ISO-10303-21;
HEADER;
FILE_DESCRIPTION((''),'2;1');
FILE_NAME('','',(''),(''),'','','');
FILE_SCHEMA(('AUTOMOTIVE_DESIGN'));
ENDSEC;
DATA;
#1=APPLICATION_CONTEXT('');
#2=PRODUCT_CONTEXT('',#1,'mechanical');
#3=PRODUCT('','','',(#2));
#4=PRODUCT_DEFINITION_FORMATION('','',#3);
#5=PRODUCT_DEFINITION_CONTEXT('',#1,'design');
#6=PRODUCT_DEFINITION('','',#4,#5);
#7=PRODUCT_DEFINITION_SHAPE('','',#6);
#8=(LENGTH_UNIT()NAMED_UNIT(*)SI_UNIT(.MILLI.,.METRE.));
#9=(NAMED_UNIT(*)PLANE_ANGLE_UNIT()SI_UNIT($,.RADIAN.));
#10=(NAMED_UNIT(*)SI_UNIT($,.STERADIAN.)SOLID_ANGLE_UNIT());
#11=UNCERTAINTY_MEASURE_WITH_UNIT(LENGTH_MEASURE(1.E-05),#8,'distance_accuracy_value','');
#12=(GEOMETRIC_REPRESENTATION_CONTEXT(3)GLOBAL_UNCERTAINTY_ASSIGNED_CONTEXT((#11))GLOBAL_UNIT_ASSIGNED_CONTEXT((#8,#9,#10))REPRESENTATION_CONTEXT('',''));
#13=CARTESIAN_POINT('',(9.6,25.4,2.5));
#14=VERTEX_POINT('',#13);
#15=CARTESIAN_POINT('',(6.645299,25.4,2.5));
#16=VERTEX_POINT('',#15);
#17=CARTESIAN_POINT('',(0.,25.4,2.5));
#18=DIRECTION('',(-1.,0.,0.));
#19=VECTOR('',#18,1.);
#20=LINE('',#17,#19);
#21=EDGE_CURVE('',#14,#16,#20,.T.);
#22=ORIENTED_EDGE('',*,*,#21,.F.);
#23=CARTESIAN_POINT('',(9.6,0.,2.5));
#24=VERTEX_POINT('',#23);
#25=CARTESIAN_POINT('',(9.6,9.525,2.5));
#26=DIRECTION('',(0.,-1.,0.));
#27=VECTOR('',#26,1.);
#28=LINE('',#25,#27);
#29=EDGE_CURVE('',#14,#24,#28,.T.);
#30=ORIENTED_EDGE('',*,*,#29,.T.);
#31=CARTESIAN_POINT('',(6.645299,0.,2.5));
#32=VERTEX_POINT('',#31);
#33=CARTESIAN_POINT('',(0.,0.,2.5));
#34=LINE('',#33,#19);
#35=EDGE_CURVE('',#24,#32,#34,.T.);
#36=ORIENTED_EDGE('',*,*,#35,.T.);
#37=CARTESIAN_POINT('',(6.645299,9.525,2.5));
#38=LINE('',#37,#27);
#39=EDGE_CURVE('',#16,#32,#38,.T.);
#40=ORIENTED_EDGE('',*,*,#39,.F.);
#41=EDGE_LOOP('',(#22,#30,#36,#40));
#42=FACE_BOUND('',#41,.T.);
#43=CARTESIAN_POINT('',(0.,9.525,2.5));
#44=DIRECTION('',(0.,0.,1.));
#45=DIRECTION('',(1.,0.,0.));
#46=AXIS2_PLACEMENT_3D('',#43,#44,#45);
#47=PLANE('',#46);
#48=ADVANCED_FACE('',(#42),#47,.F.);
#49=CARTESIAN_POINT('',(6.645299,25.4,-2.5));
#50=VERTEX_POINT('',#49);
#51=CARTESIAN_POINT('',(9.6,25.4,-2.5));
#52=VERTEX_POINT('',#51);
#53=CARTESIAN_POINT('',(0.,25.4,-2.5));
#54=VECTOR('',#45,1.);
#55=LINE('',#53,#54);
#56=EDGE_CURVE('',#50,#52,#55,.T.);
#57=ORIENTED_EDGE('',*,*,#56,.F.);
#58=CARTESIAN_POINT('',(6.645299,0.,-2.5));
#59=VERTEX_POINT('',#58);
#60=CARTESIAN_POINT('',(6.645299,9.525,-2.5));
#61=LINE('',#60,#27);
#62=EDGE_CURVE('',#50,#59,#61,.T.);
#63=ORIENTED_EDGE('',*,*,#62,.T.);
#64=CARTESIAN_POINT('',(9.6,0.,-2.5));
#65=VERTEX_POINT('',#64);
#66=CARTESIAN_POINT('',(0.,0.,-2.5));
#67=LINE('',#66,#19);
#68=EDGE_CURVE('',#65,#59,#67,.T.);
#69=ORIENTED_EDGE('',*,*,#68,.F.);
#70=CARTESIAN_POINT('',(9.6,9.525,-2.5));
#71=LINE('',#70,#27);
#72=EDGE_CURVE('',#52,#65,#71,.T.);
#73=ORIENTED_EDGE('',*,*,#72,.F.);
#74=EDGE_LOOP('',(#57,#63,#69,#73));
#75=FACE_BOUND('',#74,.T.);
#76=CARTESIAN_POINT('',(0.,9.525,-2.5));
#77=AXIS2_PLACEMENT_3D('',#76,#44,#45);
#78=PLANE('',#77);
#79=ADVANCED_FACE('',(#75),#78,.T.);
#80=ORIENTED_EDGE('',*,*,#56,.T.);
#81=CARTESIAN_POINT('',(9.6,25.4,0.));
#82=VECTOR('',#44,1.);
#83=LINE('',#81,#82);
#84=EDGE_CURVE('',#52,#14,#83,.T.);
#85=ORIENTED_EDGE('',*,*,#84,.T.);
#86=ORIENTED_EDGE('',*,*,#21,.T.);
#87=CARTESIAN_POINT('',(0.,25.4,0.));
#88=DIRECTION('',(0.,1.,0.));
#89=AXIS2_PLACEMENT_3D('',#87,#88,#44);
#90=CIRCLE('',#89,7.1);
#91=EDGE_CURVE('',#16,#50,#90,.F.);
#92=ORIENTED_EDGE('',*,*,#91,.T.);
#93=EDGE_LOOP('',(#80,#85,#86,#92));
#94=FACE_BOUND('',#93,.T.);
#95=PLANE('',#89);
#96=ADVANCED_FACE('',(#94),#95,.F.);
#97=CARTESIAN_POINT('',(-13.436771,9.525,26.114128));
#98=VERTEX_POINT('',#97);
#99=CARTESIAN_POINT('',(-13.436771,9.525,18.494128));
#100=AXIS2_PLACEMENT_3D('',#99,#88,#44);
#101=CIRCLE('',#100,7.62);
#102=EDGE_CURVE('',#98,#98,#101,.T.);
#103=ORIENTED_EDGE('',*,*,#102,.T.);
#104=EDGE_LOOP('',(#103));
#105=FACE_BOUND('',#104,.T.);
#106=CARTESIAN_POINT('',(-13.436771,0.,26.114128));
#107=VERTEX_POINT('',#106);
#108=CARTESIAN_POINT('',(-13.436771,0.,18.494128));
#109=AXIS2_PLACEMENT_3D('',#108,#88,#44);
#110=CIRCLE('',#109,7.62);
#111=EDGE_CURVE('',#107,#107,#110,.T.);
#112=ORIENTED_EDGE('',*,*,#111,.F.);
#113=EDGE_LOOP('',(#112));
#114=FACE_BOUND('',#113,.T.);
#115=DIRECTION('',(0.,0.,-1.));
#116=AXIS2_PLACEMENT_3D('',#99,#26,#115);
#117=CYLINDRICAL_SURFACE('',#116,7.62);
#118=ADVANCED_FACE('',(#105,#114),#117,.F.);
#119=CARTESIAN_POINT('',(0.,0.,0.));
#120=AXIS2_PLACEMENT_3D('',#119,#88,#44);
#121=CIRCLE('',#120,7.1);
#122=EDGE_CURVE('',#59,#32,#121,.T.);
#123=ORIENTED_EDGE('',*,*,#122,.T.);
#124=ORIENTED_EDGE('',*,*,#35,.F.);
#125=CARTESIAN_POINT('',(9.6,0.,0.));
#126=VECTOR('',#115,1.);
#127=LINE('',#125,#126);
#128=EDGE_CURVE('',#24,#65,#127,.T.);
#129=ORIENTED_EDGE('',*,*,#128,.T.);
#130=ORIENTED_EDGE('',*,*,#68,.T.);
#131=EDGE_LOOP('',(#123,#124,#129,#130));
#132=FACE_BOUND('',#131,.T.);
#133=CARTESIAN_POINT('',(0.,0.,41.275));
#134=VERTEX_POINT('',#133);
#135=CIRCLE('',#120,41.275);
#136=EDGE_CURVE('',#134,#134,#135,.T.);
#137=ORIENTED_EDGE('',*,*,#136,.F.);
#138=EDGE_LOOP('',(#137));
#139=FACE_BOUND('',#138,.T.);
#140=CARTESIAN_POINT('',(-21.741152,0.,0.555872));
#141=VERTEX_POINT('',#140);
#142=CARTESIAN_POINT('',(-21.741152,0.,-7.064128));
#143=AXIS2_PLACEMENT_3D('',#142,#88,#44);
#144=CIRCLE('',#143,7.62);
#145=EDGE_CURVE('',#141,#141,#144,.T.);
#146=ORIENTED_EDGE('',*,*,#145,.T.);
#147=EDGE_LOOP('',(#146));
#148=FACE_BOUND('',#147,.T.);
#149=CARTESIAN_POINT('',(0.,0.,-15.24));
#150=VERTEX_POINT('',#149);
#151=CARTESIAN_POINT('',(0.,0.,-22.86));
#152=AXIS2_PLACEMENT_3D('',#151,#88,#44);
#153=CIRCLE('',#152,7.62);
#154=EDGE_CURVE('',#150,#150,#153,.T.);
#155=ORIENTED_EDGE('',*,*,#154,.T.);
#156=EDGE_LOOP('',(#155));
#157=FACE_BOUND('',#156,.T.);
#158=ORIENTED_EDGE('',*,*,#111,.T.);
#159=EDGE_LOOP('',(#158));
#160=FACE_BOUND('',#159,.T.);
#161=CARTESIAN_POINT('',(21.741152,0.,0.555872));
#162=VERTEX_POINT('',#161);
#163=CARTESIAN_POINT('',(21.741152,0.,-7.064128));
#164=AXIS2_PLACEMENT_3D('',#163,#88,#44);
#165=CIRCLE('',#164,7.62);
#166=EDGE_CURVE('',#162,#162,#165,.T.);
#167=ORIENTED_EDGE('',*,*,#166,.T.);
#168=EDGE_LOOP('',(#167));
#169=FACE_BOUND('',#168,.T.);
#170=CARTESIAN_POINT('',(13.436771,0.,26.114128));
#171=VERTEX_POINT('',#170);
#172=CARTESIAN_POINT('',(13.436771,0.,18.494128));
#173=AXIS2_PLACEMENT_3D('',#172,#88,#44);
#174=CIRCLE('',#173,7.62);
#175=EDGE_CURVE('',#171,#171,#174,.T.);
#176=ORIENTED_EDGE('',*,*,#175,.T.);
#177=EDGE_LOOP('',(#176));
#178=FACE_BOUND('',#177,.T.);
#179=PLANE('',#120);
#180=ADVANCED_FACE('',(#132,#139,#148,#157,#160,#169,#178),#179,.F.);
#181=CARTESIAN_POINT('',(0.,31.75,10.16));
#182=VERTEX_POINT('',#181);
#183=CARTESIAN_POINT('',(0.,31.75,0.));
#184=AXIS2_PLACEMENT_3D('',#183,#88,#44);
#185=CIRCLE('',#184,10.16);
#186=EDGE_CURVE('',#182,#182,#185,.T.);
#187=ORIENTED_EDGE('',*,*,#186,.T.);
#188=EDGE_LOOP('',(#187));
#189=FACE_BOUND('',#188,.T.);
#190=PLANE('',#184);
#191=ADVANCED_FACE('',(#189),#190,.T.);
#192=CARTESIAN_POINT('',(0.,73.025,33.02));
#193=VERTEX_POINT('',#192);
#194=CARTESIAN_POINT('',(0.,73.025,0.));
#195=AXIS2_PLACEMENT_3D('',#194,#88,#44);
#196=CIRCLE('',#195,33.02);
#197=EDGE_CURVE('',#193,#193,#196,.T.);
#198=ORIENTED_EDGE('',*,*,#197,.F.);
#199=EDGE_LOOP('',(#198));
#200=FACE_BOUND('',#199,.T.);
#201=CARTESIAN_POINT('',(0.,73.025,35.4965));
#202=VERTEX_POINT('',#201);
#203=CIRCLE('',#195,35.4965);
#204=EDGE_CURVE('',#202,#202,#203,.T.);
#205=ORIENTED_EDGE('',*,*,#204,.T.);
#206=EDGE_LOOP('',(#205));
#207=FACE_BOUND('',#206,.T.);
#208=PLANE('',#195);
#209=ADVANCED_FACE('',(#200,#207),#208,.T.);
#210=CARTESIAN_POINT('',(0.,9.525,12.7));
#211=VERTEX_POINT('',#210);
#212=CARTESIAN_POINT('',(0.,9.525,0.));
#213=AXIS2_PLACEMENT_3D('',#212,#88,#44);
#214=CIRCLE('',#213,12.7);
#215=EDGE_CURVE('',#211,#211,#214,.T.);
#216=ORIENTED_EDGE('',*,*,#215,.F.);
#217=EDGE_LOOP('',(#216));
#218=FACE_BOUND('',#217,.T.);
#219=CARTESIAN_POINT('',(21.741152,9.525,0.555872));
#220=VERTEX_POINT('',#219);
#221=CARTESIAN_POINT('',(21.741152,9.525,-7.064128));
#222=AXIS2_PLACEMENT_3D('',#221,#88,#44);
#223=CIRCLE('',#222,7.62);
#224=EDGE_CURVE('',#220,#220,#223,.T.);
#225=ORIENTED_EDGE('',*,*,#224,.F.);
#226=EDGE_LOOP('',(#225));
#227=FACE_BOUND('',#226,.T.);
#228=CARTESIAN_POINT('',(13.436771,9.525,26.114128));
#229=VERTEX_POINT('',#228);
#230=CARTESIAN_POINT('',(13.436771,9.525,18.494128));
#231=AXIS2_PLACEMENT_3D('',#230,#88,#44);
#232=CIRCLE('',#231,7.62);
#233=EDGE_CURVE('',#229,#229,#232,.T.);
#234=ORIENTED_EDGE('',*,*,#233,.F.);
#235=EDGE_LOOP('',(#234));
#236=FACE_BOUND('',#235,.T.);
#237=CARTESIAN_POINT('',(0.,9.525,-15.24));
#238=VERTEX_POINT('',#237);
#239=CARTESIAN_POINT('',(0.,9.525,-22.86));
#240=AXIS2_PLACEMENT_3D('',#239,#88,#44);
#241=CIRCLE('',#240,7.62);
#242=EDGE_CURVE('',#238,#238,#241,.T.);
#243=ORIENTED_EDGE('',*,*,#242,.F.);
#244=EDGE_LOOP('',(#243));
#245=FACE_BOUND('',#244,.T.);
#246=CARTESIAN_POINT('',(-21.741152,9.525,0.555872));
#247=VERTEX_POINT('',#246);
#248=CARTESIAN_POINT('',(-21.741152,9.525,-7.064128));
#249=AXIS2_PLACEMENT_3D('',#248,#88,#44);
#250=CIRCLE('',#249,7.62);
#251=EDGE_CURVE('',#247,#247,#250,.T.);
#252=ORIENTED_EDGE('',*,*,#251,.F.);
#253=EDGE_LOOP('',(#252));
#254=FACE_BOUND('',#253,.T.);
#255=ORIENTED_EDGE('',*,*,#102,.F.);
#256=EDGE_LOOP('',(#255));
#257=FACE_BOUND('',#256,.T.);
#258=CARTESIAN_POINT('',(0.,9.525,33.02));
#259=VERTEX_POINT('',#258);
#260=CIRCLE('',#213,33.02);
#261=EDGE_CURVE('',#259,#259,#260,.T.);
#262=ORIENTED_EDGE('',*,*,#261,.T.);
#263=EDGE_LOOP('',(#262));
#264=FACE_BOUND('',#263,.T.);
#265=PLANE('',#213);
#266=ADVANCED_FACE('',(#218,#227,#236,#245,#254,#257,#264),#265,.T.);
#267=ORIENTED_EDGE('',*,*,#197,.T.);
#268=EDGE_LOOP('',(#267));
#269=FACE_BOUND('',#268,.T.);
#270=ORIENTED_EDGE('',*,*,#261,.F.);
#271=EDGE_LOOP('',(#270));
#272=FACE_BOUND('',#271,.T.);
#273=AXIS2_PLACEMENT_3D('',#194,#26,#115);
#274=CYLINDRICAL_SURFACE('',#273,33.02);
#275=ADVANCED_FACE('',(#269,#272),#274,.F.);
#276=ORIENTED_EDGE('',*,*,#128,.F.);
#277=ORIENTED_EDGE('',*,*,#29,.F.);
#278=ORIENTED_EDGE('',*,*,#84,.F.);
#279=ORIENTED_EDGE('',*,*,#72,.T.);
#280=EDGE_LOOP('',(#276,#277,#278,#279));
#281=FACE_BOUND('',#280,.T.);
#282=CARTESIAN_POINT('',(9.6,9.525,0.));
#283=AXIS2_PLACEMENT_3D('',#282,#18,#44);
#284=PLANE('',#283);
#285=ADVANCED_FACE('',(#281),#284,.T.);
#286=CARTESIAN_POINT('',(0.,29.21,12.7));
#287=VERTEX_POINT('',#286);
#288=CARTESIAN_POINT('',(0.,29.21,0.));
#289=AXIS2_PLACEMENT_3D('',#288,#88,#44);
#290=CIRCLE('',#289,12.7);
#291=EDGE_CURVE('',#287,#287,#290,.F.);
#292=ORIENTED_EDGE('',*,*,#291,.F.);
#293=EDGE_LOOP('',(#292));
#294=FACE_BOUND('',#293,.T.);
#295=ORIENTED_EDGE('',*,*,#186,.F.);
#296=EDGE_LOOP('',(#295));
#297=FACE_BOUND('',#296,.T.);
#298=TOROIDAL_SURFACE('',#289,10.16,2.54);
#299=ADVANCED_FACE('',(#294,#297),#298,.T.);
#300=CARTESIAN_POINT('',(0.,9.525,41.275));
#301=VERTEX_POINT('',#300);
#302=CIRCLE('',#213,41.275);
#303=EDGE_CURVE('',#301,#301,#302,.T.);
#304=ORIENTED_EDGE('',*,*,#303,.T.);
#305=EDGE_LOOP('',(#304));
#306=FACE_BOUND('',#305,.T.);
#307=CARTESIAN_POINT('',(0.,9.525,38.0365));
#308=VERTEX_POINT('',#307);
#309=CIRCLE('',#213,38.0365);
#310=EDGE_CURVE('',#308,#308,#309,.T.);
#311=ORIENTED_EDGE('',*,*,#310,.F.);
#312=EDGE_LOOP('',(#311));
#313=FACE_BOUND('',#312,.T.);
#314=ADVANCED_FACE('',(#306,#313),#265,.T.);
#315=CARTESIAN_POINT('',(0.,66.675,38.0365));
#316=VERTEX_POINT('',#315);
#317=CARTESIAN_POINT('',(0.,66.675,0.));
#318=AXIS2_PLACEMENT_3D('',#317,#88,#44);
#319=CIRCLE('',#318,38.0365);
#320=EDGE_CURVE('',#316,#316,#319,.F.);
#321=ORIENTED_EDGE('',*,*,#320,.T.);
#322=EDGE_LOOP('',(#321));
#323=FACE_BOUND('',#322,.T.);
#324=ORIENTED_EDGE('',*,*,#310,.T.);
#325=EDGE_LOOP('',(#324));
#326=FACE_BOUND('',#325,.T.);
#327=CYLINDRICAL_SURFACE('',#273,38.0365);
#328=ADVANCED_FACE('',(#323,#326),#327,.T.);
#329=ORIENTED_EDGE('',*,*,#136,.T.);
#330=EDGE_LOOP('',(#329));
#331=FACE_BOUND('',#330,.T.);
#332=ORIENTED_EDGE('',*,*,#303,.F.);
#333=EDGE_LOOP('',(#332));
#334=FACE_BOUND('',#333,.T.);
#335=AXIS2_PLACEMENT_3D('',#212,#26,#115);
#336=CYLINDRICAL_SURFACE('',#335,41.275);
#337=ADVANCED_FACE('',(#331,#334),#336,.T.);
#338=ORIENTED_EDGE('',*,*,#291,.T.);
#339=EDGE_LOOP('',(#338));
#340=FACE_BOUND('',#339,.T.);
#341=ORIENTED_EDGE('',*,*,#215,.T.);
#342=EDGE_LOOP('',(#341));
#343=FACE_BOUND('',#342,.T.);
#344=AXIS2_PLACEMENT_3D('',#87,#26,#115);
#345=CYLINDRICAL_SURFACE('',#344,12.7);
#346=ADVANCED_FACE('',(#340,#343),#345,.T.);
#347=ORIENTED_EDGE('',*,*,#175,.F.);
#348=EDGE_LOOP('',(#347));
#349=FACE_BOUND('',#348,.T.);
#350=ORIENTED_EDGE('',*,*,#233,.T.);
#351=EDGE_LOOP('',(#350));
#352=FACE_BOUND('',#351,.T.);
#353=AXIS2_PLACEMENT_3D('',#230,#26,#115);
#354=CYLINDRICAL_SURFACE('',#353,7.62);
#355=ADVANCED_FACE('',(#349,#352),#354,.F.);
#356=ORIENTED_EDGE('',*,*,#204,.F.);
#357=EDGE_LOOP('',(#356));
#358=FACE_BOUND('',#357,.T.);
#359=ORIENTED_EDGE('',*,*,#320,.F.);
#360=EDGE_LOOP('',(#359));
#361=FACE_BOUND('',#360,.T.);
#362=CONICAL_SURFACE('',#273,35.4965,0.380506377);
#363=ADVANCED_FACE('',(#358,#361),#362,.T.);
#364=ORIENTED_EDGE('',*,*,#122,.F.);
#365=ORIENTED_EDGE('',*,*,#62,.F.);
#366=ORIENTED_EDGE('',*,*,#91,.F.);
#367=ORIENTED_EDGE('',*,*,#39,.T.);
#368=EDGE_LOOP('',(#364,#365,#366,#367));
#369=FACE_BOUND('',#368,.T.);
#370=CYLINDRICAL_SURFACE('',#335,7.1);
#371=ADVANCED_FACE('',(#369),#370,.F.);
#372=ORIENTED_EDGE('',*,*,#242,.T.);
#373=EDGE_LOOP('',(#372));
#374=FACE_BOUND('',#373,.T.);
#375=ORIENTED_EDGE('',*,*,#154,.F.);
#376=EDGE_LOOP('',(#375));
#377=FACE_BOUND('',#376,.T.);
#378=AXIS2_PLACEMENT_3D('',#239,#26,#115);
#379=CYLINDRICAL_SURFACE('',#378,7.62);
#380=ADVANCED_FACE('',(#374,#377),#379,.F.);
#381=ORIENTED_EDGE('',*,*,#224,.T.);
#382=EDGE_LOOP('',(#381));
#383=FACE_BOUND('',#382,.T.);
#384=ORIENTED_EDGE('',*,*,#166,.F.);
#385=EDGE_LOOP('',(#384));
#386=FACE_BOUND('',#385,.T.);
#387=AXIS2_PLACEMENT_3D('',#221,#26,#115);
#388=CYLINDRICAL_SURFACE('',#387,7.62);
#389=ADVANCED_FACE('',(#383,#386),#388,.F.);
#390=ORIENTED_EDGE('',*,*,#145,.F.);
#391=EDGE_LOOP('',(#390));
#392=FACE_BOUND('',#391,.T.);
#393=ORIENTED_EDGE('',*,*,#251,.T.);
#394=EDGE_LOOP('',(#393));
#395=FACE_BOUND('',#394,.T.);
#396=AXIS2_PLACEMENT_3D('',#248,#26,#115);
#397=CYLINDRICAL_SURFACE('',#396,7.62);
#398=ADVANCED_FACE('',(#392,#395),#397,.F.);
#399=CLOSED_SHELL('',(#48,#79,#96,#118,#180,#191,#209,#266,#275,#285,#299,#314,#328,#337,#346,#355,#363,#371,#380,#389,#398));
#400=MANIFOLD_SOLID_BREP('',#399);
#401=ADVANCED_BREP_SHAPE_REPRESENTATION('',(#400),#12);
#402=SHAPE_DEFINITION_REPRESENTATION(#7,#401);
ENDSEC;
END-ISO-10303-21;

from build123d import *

# Parameters (mm, degrees)
SKETCH1_R           = 41.275
SKETCH1_R_2         = 7.62
BOSS_EXTRUDE1_DEPTH = 9.525
SKETCH2_R           = 38.0365
SKETCH2_R_2         = 33.02
BOSS_EXTRUDE2_DEPTH = 63.5
SKETCH3_R           = 12.7
BOSS_EXTRUDE3_DEPTH = 15.875
CHAMFER1_SIZE       = 6.35
CHAMFER1_SIZE2      = 2.54
SKETCH4_R           = 12.7
BOSS_EXTRUDE4_DEPTH = 6.35
FILLET1_R           = 2.54


with BuildPart() as part:
    # Sketch1 → Boss-Extrude1 (new body)
    with BuildSketch(Plane(origin=(0, 0, 0), x_dir=(1, 0, 0), z_dir=(0, 1, 0))):
        Circle(SKETCH1_R)
        with Locations((-13.436770867, -18.494128491)):
            Circle(SKETCH1_R_2, mode=Mode.SUBTRACT)
        with Locations((13.436770867, -18.494128491)):
            Circle(SKETCH1_R_2, mode=Mode.SUBTRACT)
        with BuildLine():
            Line((9.6, -2.5), (6.64529909, -2.5))
            ThreePointArc((6.64529909, -2.5), (-7.1, 0), (6.64529909, 2.5))
            Line((6.64529909, 2.5), (9.6, 2.5))
            Line((9.6, 2.5), (9.6, -2.5))
        make_face(mode=Mode.SUBTRACT)
        with Locations((-21.741151963, 7.064128491)):
            Circle(SKETCH1_R_2, mode=Mode.SUBTRACT)
        with BuildLine():
            ThreePointArc((0, 15.24), (-7.62, 22.86), (0, 30.48))
            ThreePointArc((0, 30.48), (7.62, 22.86), (0, 15.24))
        make_face(mode=Mode.SUBTRACT)
        with Locations((21.741151963, 7.064128491)):
            Circle(SKETCH1_R_2, mode=Mode.SUBTRACT)
    extrude(amount=BOSS_EXTRUDE1_DEPTH)

    # Sketch2 → Boss-Extrude2 (add)
    with BuildSketch(Plane(origin=(0, 9.525, 0), x_dir=(1, 0, 0), z_dir=(0, 1, 0))):
        Circle(SKETCH2_R)
        Circle(SKETCH2_R_2, mode=Mode.SUBTRACT)
    extrude(amount=BOSS_EXTRUDE2_DEPTH)

    # Sketch3 → Boss-Extrude3 (add)
    with BuildSketch(Plane(origin=(0, 9.525, 0), x_dir=(1, 0, 0), z_dir=(0, 1, 0))):
        Circle(SKETCH3_R)
        with BuildLine():
            Line((9.6, -2.5), (6.64529909, -2.5))
            ThreePointArc((6.64529909, -2.5), (-7.1, 0), (6.64529909, 2.5))
            Line((6.64529909, 2.5), (9.6, 2.5))
            Line((9.6, 2.5), (9.6, -2.5))
        make_face(mode=Mode.SUBTRACT)
    extrude(amount=BOSS_EXTRUDE3_DEPTH)

    # Chamfer1
    chamfer1_edges = [part.edges().sort_by_distance(p)[0] for p in [
        (-38.0365, 73.025, 0),
    ]]
    chamfer1_side = [part.faces().sort_by_distance(p)[0] for p in [
        (-38.0365, 41.275, 0),
    ]]
    chamfer(chamfer1_edges, length=CHAMFER1_SIZE, length2=CHAMFER1_SIZE2, reference=chamfer1_side[0])

    # Sketch4 → Boss-Extrude4 (add)
    with BuildSketch(Plane(origin=(0, 25.4, 0), x_dir=(1, 0, 0), z_dir=(0, 1, 0))):
        Circle(SKETCH4_R)
    extrude(amount=BOSS_EXTRUDE4_DEPTH)

    # Fillet1
    fillet1_edges = [part.edges().sort_by_distance(p)[0] for p in [
        (-12.7, 31.75, 0),
    ]]
    fillet(fillet1_edges, radius=FILLET1_R)


solid = part.part
